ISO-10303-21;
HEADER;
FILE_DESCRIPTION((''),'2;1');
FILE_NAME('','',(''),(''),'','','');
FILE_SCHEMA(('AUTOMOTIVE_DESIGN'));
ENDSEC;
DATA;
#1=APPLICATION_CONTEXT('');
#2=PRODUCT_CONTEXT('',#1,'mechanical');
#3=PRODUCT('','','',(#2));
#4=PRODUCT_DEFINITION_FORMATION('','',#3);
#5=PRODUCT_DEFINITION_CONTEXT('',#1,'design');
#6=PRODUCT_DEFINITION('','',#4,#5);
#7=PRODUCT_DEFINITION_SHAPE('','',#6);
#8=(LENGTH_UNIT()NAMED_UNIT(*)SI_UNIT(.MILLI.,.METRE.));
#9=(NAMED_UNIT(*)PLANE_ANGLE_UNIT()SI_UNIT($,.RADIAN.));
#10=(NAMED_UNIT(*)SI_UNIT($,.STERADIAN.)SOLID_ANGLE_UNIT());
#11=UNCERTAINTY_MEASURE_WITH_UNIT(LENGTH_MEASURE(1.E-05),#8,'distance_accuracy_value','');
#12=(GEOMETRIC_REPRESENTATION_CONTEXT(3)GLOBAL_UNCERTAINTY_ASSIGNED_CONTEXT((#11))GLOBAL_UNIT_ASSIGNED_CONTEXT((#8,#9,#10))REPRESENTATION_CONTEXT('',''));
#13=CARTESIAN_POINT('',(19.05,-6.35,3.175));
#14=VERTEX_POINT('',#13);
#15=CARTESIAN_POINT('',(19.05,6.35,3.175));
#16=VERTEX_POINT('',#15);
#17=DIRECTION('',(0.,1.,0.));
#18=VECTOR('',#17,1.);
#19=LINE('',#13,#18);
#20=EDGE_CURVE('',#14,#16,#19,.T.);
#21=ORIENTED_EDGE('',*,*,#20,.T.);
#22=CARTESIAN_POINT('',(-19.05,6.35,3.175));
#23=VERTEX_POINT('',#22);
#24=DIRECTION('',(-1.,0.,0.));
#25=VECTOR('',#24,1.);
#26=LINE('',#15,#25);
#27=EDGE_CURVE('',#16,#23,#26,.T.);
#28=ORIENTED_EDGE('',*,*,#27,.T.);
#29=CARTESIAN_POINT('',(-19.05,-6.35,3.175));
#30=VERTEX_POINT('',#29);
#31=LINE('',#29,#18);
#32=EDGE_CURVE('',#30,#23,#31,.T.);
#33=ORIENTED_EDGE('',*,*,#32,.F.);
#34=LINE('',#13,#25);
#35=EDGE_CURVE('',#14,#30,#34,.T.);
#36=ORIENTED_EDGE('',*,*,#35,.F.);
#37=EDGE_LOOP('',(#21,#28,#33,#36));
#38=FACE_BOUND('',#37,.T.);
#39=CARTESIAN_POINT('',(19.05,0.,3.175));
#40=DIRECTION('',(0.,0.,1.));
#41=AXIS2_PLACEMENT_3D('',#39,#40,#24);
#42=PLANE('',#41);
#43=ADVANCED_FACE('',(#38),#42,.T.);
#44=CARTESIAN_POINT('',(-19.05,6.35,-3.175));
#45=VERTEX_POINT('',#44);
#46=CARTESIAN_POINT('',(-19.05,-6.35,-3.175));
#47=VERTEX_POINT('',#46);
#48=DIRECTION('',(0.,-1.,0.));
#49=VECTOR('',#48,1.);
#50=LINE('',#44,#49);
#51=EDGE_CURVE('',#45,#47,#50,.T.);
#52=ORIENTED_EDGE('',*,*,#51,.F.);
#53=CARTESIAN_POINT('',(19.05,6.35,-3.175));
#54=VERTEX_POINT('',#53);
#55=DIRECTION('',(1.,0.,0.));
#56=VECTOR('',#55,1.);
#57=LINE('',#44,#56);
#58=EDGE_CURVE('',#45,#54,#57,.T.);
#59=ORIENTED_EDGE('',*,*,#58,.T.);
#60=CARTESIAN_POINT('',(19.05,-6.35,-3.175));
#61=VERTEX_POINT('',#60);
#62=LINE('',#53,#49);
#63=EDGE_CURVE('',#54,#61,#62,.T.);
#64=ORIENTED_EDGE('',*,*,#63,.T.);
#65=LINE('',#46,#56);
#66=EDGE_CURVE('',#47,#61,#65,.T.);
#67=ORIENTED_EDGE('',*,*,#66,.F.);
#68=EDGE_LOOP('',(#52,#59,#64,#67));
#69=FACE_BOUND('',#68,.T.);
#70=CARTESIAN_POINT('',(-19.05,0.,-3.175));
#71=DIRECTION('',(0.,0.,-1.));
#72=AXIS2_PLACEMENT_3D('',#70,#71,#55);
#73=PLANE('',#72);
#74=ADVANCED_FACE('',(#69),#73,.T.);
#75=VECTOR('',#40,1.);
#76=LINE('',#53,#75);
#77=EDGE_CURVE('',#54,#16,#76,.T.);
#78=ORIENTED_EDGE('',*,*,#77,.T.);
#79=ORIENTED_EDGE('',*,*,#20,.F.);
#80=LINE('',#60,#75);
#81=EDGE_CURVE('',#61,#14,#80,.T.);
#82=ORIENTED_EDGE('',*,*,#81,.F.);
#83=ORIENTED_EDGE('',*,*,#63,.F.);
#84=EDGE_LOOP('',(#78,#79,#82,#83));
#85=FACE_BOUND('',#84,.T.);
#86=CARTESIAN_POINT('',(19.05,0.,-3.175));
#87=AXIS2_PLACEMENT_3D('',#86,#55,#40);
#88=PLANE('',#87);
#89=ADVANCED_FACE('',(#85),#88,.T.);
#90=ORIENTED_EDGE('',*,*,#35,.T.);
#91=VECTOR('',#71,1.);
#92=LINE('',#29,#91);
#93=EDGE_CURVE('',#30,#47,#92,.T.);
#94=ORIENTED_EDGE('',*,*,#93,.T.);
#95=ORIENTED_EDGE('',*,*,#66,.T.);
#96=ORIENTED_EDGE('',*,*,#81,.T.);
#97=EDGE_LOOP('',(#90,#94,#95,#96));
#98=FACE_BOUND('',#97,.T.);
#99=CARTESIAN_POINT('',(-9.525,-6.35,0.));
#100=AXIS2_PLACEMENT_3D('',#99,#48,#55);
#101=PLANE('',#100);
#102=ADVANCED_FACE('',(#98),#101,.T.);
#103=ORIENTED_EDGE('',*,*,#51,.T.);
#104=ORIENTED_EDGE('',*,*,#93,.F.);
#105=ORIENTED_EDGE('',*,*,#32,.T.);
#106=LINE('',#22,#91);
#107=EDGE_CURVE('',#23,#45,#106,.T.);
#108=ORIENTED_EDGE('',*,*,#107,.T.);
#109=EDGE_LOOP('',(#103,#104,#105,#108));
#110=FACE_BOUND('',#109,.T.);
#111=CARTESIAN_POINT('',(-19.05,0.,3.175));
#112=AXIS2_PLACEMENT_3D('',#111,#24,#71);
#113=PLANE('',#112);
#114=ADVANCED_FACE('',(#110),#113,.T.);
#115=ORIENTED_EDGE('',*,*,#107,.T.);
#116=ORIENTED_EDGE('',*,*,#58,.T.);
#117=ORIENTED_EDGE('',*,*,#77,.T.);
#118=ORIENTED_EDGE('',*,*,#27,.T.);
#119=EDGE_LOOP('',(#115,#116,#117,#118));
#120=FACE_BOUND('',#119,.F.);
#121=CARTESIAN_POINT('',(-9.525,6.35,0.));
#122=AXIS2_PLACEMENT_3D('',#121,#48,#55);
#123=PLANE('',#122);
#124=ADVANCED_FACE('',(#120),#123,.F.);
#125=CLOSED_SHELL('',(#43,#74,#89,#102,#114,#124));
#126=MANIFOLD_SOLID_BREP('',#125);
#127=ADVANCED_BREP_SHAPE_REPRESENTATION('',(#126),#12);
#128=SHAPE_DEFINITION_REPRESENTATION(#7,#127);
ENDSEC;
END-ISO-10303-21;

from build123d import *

# Parameters (mm, degrees)
F1_DEPTH = 6.35


with BuildPart() as f1:
    # F0 (on Front) → F1 (new body, symmetric)
    with BuildSketch(Plane.XZ):
        Polygon((0, -3.175), (0, 3.175), (-4.731465, 3.175), (-6.795823, 3.175), (-19.05, 3.175), (-19.05, -3.175), (-16.510323, -3.175), (-14.276679, -3.175), (-10.997938, -3.175), (-7.187938, -3.175), align=None)
        Polygon((19.05, -3.175), (19.05, 3.175), (6.795823, 3.175), (5.494234, 3.175), (4.731465, 3.175), (0, 3.175), (0, -3.175), (5.08, -3.175), (7.187938, -3.175), (10.997938, -3.175), (14.276679, -3.175), (16.510323, -3.175), align=None)
    extrude(amount=F1_DEPTH, both=True)


solid = f1.part
